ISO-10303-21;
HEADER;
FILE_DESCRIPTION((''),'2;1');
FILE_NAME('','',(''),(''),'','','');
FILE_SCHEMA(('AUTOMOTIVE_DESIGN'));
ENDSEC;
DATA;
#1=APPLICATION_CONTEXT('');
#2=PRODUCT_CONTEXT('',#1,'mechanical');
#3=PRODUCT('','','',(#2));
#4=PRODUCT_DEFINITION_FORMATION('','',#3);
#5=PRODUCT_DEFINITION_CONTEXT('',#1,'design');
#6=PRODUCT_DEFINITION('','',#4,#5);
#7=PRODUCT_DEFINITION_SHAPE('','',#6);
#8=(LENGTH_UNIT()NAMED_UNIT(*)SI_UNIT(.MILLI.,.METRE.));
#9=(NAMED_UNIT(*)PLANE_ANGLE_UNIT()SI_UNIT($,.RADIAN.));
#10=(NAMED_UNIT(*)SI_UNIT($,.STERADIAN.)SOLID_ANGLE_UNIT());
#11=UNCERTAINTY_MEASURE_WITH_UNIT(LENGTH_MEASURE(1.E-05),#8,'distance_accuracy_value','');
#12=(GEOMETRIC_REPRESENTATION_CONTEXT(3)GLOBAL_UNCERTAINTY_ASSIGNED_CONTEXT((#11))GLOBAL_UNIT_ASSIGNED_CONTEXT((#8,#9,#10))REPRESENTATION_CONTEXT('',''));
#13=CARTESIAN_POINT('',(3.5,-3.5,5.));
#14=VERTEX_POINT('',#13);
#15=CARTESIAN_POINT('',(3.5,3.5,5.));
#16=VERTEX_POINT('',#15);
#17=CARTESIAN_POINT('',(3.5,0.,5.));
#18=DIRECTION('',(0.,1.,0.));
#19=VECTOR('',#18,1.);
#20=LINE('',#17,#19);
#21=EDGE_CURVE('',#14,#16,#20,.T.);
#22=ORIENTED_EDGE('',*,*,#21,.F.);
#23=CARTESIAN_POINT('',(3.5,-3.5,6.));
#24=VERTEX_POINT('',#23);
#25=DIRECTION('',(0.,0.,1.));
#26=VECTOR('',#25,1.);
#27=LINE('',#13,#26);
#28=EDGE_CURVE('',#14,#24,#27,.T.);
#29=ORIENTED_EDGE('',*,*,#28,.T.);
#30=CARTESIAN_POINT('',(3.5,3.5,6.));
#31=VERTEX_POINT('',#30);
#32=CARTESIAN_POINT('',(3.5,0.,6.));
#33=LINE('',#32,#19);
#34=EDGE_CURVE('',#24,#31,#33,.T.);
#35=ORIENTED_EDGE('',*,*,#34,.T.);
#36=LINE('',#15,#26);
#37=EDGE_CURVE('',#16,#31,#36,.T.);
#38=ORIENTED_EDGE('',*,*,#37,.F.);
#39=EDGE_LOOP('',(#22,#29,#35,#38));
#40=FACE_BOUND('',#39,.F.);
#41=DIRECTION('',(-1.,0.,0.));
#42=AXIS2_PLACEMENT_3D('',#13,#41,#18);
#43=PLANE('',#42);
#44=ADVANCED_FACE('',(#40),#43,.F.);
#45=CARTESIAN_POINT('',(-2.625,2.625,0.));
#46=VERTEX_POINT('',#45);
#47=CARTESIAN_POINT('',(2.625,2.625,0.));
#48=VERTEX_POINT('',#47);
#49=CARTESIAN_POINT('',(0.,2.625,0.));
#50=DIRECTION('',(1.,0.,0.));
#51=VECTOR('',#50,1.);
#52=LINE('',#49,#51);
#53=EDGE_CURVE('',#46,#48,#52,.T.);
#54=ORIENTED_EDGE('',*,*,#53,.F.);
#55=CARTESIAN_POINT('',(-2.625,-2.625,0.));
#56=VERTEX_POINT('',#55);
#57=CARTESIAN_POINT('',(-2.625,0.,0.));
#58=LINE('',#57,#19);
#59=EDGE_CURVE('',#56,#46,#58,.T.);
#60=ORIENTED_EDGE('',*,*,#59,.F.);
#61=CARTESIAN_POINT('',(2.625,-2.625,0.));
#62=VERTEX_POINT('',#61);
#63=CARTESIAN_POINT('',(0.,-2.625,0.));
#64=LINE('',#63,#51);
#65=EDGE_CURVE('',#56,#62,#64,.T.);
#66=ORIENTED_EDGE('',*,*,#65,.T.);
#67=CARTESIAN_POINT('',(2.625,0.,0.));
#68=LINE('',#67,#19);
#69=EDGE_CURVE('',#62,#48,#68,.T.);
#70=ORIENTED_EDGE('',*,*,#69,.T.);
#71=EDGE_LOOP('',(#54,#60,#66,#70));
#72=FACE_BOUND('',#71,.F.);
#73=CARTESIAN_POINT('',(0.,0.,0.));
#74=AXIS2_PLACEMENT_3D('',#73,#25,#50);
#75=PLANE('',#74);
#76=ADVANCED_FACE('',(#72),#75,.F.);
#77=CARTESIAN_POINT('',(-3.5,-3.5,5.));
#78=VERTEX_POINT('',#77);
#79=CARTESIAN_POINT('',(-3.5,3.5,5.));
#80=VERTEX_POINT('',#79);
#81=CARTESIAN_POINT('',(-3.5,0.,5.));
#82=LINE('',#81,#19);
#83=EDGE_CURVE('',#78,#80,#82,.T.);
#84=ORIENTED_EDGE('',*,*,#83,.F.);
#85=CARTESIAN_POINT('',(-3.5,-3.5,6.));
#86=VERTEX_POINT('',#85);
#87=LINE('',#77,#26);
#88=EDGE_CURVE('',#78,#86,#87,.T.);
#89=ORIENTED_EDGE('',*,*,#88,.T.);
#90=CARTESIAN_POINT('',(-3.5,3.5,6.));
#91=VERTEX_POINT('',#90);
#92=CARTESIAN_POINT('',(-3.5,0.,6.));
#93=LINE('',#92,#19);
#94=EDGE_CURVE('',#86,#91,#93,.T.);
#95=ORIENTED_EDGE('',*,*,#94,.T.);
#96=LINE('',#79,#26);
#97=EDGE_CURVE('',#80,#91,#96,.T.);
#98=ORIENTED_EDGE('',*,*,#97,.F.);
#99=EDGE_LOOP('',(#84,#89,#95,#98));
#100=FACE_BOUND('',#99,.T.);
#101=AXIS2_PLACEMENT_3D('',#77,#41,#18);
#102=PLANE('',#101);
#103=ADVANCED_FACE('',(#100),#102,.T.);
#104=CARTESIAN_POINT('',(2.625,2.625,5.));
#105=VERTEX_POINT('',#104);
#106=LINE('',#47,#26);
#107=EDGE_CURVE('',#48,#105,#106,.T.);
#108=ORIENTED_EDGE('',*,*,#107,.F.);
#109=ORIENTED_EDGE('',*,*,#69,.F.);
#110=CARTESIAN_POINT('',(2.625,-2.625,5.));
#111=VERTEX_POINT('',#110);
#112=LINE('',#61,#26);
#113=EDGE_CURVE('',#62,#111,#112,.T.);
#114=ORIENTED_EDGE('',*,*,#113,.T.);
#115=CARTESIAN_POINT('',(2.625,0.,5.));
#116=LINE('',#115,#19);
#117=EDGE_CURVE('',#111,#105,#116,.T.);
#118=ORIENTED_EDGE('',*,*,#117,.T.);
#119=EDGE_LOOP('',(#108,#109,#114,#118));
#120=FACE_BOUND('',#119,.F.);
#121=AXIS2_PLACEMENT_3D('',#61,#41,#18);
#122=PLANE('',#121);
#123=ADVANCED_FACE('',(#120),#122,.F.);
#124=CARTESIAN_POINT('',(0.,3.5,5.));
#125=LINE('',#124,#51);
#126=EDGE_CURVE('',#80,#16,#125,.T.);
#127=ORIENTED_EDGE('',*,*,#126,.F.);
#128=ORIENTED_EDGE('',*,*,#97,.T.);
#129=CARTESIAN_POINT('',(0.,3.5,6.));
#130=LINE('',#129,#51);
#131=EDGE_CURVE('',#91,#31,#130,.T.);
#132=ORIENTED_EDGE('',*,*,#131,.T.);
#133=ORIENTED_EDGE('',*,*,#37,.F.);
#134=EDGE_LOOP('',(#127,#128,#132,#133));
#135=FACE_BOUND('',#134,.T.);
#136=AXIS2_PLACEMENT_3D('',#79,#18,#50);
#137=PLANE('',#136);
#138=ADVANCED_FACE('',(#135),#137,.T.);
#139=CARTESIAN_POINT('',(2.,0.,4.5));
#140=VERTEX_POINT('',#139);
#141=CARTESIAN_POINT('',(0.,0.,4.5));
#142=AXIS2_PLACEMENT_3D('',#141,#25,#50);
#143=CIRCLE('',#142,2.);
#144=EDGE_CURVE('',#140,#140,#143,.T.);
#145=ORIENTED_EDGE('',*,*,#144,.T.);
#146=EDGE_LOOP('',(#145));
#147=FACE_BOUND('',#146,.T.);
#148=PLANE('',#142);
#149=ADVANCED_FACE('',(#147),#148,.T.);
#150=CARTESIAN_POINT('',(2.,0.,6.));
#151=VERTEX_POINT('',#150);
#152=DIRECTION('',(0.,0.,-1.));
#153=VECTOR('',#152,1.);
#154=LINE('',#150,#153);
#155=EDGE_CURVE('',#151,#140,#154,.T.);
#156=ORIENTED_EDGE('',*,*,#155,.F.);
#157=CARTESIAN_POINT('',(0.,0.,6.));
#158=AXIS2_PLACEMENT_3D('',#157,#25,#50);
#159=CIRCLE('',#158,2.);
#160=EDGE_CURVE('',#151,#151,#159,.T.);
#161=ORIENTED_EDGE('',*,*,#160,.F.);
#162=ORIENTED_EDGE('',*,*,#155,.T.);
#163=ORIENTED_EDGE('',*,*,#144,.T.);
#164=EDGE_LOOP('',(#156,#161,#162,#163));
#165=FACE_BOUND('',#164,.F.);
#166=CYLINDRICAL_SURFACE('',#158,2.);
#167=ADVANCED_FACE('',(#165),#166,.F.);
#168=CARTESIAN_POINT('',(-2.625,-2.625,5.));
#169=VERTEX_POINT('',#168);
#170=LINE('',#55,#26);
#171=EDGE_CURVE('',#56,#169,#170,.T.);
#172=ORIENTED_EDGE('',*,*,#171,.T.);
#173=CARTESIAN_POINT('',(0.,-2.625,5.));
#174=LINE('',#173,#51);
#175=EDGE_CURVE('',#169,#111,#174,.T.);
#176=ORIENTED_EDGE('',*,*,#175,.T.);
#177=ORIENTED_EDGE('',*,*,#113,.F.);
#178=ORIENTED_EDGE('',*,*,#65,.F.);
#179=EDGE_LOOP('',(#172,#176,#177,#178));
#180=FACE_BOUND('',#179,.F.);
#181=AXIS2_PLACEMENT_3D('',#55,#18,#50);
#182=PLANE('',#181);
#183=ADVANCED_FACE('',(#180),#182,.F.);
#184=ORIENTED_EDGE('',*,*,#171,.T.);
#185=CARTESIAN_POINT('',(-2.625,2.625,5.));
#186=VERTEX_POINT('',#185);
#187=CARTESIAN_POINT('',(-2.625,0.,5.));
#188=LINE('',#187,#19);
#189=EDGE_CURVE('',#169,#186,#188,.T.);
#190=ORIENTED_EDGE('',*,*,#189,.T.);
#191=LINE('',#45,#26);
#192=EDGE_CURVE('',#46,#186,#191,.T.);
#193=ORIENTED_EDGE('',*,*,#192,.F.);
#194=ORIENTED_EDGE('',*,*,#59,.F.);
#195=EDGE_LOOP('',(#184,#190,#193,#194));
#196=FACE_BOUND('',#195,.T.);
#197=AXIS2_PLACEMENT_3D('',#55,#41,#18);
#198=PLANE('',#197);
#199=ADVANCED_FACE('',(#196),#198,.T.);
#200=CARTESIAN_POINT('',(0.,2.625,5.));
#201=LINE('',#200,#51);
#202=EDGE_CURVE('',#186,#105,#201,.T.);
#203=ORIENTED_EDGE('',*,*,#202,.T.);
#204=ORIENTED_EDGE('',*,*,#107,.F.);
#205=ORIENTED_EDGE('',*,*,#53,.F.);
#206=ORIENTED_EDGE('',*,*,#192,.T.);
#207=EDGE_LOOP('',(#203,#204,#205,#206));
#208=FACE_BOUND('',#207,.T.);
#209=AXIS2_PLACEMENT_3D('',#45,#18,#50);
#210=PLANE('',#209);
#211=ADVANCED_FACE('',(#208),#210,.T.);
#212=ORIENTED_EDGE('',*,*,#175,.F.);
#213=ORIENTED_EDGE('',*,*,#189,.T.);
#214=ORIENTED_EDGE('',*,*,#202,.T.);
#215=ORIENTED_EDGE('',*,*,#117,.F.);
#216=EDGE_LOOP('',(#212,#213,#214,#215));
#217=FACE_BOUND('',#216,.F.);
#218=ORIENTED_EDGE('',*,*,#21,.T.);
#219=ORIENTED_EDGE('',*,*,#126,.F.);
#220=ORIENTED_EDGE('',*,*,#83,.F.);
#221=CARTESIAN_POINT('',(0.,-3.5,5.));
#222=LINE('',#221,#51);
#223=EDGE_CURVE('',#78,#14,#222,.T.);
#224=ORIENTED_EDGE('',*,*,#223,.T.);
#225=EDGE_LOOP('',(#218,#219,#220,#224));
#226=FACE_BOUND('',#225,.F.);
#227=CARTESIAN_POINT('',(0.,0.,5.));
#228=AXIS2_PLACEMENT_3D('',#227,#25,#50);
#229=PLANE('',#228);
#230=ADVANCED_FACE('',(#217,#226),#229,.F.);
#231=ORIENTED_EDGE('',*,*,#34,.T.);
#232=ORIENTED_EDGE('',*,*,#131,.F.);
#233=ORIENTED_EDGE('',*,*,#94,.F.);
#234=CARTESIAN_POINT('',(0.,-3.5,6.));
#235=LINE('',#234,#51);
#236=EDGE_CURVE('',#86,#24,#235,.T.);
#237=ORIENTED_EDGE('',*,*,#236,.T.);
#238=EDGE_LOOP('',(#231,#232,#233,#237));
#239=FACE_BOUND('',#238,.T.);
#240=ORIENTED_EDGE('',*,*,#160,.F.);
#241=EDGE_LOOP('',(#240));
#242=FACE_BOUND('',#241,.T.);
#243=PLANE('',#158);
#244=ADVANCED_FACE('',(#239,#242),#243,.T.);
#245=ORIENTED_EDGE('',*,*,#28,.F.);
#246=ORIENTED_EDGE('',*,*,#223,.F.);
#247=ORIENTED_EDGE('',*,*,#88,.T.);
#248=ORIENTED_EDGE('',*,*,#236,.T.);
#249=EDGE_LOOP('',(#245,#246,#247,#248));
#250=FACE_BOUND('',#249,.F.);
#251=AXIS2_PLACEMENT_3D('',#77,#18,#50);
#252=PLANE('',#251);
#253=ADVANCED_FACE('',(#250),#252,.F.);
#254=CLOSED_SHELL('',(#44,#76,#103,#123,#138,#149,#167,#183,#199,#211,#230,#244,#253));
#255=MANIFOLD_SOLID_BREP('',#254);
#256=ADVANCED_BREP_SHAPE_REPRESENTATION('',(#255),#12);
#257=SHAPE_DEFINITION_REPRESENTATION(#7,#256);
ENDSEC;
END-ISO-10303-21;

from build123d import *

# Parameters (mm, degrees)
F0_W     = 5.25
F0_H     = 5.25
F1_DEPTH = 5
F2_W     = 7
F2_H     = 7
F3_DEPTH = 1
F4_R     = 2
F5_DEPTH = 1.5


with BuildPart() as f1:
    # F0 (on Top) → F1 (new body)
    with BuildSketch(Plane.XY):
        Rectangle(F0_W, F0_H)
    extrude(amount=F1_DEPTH)

    # F2 (on face) → F3 (join)
    with BuildSketch(Plane.XY.offset(5)):
        Rectangle(F2_W, F2_H)
    extrude(amount=F3_DEPTH)

    # F4 (on face) → F5 (cut)
    with BuildSketch(Plane.XY.offset(6)):
        Circle(F4_R)
    extrude(amount=-F5_DEPTH, mode=Mode.SUBTRACT)


solid = f1.part
